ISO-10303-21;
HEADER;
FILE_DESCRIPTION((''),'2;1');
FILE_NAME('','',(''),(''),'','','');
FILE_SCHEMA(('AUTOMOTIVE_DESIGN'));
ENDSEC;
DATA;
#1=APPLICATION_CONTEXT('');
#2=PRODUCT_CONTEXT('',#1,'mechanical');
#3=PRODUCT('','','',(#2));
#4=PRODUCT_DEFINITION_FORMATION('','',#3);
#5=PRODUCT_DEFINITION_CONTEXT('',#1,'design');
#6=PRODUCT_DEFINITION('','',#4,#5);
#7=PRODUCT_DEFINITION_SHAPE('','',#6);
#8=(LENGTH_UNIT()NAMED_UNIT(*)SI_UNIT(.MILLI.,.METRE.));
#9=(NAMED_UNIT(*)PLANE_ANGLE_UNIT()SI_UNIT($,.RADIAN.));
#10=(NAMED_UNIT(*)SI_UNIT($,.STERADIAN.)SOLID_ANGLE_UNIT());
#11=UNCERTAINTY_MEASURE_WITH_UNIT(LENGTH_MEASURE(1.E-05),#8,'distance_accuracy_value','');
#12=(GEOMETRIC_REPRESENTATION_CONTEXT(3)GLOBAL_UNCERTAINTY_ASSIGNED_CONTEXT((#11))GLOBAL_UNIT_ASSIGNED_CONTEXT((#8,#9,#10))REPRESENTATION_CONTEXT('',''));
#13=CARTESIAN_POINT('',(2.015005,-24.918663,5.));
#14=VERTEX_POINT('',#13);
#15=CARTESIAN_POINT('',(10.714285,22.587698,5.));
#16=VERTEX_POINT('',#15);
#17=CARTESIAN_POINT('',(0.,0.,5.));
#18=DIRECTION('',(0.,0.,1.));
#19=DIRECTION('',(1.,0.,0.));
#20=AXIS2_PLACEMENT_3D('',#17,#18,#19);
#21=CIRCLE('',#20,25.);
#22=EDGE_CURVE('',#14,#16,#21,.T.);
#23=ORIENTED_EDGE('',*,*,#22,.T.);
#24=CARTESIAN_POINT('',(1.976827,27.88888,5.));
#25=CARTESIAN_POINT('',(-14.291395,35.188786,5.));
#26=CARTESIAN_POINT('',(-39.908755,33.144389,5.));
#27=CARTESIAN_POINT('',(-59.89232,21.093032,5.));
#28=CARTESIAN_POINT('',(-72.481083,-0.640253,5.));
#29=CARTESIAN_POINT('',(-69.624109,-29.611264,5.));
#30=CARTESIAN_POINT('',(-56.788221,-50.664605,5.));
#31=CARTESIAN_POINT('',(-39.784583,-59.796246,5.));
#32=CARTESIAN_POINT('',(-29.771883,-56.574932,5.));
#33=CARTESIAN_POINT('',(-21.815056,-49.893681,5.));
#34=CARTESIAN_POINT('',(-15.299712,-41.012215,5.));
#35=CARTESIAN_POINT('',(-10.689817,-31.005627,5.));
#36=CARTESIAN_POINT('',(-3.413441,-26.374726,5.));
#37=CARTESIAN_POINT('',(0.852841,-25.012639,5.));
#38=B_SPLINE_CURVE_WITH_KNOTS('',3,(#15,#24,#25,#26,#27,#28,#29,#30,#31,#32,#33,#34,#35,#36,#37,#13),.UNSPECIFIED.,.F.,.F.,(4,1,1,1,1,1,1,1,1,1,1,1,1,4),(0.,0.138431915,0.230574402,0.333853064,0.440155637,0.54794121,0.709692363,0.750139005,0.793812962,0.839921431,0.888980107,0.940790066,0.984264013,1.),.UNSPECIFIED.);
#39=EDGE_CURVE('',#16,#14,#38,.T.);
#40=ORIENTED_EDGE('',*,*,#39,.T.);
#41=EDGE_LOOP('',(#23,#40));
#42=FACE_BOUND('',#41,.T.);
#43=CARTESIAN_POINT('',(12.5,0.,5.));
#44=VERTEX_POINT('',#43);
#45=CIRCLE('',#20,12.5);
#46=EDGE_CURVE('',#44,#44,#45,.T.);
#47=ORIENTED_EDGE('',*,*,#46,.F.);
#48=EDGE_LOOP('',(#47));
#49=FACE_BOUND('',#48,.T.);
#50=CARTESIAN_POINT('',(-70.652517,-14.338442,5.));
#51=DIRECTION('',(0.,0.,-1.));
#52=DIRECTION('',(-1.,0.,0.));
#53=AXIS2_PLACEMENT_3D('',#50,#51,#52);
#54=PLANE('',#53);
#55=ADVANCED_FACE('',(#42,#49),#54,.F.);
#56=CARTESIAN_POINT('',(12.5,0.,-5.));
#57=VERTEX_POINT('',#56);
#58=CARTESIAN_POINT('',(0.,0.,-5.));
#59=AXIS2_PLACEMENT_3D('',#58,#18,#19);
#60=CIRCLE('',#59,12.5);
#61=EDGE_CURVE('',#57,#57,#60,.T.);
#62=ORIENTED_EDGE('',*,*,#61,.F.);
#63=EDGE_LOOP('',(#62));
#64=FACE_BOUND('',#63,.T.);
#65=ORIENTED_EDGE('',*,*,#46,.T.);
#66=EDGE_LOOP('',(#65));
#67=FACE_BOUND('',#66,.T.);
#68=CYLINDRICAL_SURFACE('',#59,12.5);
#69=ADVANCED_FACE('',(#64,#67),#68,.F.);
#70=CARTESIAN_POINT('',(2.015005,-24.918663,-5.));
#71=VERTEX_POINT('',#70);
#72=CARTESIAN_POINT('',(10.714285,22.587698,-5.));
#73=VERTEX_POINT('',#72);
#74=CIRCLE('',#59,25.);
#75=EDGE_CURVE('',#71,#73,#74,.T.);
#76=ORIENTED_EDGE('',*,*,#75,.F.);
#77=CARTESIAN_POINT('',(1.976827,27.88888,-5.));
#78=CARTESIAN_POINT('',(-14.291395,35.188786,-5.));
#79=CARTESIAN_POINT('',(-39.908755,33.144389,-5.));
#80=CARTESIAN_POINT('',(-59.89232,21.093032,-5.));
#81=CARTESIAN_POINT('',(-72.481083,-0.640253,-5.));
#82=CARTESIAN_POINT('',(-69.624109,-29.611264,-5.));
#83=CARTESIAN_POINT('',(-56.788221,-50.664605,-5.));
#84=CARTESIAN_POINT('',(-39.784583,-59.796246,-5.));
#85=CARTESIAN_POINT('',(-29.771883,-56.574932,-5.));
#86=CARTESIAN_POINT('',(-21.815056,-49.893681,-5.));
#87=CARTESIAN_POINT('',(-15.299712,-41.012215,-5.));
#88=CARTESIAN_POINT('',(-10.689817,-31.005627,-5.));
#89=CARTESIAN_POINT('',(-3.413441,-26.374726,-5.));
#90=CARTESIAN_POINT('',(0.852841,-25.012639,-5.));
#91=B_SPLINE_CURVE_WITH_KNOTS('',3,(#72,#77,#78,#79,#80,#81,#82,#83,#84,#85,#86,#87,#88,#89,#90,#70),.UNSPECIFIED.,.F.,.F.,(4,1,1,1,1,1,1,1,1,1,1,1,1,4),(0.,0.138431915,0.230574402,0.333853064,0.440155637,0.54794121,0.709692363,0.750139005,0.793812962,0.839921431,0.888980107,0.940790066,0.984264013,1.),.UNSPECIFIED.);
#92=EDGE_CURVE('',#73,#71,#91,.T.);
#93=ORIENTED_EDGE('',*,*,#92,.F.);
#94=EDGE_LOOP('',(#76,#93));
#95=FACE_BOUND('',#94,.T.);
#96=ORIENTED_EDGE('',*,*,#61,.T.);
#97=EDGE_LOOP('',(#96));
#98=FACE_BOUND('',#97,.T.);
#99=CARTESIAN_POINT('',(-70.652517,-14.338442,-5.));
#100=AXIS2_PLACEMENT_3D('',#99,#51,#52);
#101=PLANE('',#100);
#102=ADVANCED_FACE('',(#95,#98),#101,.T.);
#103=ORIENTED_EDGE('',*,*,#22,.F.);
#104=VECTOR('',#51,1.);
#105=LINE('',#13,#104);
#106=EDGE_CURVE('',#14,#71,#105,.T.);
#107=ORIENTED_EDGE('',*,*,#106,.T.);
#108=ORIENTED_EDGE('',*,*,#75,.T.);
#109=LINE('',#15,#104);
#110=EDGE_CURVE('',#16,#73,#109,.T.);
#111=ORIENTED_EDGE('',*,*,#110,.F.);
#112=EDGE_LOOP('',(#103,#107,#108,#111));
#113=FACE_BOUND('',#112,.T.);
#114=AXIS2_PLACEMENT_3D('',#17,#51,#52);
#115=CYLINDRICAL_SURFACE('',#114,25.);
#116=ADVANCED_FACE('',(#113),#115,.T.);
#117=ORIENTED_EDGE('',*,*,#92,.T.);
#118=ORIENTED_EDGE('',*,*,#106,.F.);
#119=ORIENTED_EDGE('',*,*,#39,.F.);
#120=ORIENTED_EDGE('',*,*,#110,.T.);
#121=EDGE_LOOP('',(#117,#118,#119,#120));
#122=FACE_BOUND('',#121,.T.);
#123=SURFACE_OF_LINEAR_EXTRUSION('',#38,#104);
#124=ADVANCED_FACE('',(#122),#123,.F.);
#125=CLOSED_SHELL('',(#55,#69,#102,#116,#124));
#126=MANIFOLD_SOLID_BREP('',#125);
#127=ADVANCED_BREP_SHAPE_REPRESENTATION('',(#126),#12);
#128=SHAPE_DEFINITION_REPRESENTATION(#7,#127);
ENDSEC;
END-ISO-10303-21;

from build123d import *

# Parameters (mm, degrees)
BOSS_EXTRUDE3_DEPTH = 5
SKETCH23_R          = 12.5
CUT_EXTRUDE2_DEPTH  = 5


with BuildPart() as part:
    # CAM Profile → Boss-Extrude3 (new, symmetric)
    with BuildSketch(Plane.XY):
        with BuildLine():
            ThreePointArc((2.015005174, -24.918662768), (24.591101671, -4.50307879), (10.714285393, 22.587697725))
            add(Edge.make_bspline(
                [(10.714285393, 22.587697725), (1.976827133, 27.888880105), (-14.291395178, 35.18878552), (-39.908755362, 33.144388668), (-59.892319743, 21.093031868), (-72.481083115, -0.64025331), (-69.624108687, -29.611263522), (-56.788220815, -50.664604845), (-39.784583476, -59.796245584), (-29.771883474, -56.574931838), (-21.815056049, -49.893681054), (-15.299711907, -41.012215147), (-10.689816915, -31.00562683), (-3.413441312, -26.374725684), (0.852841277, -25.01263917), (2.015005174, -24.918662768)],
                knots=[0, 0, 0, 0, 0.138431915, 0.230574402, 0.333853064, 0.440155637, 0.54794121, 0.709692363, 0.750139005, 0.793812962, 0.839921431, 0.888980107, 0.940790066, 0.984264013, 1, 1, 1, 1], degree=3))
        make_face()
    extrude(amount=BOSS_EXTRUDE3_DEPTH, both=True)

    # Sketch23 → Cut-Extrude2 (cut, symmetric)
    with BuildSketch(Plane.XY):
        Circle(SKETCH23_R)
    extrude(amount=CUT_EXTRUDE2_DEPTH, both=True, mode=Mode.SUBTRACT)


solid = part.part
